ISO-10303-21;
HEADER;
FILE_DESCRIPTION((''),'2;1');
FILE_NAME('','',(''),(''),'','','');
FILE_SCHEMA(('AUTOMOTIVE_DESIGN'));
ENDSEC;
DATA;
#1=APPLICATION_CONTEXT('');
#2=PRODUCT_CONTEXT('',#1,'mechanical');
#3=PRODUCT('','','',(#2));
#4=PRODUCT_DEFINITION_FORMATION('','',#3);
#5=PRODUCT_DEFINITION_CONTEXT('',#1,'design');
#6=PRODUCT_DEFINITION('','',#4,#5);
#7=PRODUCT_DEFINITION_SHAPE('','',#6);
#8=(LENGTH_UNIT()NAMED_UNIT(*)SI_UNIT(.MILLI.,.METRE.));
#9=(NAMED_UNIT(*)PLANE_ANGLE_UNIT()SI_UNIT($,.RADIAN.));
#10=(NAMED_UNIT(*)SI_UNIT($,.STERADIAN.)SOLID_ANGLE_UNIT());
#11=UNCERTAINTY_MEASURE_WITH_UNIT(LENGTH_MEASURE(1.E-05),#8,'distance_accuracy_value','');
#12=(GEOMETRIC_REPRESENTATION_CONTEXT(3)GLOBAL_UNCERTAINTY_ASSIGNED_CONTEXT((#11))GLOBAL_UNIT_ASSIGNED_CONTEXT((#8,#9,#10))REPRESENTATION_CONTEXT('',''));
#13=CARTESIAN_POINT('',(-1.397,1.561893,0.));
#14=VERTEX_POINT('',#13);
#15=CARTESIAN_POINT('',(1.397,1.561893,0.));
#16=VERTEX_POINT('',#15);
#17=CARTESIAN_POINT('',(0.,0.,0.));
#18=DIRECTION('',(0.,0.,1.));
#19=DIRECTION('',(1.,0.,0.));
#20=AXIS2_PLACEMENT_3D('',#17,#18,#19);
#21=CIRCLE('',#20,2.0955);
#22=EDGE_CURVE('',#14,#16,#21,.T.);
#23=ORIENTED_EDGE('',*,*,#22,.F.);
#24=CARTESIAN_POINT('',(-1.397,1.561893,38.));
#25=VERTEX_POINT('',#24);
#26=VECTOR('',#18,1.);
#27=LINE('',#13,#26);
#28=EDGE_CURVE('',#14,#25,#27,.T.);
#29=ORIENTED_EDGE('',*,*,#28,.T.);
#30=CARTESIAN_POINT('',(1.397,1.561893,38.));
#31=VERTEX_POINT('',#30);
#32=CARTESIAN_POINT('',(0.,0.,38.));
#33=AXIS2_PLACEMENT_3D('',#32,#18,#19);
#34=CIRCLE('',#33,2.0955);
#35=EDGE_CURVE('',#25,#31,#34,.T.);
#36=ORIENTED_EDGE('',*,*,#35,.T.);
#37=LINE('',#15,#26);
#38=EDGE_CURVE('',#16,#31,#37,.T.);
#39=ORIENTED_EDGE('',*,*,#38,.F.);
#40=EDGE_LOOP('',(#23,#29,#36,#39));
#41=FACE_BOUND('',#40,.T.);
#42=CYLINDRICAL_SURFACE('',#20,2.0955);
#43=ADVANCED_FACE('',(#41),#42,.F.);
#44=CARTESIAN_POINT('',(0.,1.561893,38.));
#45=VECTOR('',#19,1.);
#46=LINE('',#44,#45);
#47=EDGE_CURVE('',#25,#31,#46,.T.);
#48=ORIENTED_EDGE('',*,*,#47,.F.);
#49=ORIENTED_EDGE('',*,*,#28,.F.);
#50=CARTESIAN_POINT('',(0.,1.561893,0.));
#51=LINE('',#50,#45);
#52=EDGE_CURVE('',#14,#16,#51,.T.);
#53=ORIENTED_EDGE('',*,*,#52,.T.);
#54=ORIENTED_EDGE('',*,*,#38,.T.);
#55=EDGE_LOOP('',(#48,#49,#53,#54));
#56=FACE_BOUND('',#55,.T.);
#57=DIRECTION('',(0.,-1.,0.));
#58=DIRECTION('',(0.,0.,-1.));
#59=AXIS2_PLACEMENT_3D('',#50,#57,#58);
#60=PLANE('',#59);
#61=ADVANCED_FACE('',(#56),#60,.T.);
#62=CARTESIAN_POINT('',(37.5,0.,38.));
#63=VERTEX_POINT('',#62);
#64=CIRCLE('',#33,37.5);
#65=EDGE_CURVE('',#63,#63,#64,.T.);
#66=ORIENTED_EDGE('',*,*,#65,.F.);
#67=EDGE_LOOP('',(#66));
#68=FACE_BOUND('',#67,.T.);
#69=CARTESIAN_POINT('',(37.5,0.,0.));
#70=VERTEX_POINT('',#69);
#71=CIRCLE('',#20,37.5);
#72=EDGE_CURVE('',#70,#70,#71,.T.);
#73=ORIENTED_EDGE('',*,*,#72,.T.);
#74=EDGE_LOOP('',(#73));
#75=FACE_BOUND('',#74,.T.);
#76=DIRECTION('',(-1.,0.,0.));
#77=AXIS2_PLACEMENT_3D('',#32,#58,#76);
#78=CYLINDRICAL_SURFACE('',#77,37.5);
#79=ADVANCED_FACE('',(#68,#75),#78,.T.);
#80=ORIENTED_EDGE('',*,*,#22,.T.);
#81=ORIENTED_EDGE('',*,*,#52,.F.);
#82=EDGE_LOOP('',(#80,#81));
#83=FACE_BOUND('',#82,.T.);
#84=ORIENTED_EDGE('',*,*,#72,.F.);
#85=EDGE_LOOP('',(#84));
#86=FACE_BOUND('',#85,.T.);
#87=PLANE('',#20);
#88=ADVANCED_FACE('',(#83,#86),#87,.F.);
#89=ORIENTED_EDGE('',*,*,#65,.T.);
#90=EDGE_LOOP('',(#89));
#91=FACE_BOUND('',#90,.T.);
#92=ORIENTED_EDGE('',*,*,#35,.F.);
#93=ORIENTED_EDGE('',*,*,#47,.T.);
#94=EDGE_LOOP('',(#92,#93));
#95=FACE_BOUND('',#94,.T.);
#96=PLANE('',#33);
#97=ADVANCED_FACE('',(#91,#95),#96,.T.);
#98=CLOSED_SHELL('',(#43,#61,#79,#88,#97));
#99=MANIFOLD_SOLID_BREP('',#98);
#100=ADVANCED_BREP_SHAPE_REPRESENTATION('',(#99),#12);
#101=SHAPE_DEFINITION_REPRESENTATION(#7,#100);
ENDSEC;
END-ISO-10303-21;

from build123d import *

# Parameters (mm, degrees)
SKETCH1_R               = 37.5
BOSS_EXTRUDE1_DEPTH     = 38
CUT_EXTRUDE1_DEPTH      = 66.24185773
CUT_EXTRUDE1_DEPTH_BACK = 66.24185773


with BuildPart() as part:
    # Sketch1 → Boss-Extrude1 (new body)
    with BuildSketch(Plane.XY):
        Circle(SKETCH1_R)
    extrude(amount=BOSS_EXTRUDE1_DEPTH)

    # Sketch2 → Cut-Extrude1 (cut, two sides: drawn at the far end of the back side and taken through both)
    with BuildSketch(Plane.XY.offset(38).offset(-CUT_EXTRUDE1_DEPTH_BACK)):
        with BuildLine():
            Line((-1.397, 1.561893482), (1.397, 1.561893482))
            ThreePointArc((1.397, 1.561893482), (0, -2.0955), (-1.397, 1.561893482))
        make_face()
    extrude(amount=CUT_EXTRUDE1_DEPTH + CUT_EXTRUDE1_DEPTH_BACK, mode=Mode.SUBTRACT)


solid = part.part
